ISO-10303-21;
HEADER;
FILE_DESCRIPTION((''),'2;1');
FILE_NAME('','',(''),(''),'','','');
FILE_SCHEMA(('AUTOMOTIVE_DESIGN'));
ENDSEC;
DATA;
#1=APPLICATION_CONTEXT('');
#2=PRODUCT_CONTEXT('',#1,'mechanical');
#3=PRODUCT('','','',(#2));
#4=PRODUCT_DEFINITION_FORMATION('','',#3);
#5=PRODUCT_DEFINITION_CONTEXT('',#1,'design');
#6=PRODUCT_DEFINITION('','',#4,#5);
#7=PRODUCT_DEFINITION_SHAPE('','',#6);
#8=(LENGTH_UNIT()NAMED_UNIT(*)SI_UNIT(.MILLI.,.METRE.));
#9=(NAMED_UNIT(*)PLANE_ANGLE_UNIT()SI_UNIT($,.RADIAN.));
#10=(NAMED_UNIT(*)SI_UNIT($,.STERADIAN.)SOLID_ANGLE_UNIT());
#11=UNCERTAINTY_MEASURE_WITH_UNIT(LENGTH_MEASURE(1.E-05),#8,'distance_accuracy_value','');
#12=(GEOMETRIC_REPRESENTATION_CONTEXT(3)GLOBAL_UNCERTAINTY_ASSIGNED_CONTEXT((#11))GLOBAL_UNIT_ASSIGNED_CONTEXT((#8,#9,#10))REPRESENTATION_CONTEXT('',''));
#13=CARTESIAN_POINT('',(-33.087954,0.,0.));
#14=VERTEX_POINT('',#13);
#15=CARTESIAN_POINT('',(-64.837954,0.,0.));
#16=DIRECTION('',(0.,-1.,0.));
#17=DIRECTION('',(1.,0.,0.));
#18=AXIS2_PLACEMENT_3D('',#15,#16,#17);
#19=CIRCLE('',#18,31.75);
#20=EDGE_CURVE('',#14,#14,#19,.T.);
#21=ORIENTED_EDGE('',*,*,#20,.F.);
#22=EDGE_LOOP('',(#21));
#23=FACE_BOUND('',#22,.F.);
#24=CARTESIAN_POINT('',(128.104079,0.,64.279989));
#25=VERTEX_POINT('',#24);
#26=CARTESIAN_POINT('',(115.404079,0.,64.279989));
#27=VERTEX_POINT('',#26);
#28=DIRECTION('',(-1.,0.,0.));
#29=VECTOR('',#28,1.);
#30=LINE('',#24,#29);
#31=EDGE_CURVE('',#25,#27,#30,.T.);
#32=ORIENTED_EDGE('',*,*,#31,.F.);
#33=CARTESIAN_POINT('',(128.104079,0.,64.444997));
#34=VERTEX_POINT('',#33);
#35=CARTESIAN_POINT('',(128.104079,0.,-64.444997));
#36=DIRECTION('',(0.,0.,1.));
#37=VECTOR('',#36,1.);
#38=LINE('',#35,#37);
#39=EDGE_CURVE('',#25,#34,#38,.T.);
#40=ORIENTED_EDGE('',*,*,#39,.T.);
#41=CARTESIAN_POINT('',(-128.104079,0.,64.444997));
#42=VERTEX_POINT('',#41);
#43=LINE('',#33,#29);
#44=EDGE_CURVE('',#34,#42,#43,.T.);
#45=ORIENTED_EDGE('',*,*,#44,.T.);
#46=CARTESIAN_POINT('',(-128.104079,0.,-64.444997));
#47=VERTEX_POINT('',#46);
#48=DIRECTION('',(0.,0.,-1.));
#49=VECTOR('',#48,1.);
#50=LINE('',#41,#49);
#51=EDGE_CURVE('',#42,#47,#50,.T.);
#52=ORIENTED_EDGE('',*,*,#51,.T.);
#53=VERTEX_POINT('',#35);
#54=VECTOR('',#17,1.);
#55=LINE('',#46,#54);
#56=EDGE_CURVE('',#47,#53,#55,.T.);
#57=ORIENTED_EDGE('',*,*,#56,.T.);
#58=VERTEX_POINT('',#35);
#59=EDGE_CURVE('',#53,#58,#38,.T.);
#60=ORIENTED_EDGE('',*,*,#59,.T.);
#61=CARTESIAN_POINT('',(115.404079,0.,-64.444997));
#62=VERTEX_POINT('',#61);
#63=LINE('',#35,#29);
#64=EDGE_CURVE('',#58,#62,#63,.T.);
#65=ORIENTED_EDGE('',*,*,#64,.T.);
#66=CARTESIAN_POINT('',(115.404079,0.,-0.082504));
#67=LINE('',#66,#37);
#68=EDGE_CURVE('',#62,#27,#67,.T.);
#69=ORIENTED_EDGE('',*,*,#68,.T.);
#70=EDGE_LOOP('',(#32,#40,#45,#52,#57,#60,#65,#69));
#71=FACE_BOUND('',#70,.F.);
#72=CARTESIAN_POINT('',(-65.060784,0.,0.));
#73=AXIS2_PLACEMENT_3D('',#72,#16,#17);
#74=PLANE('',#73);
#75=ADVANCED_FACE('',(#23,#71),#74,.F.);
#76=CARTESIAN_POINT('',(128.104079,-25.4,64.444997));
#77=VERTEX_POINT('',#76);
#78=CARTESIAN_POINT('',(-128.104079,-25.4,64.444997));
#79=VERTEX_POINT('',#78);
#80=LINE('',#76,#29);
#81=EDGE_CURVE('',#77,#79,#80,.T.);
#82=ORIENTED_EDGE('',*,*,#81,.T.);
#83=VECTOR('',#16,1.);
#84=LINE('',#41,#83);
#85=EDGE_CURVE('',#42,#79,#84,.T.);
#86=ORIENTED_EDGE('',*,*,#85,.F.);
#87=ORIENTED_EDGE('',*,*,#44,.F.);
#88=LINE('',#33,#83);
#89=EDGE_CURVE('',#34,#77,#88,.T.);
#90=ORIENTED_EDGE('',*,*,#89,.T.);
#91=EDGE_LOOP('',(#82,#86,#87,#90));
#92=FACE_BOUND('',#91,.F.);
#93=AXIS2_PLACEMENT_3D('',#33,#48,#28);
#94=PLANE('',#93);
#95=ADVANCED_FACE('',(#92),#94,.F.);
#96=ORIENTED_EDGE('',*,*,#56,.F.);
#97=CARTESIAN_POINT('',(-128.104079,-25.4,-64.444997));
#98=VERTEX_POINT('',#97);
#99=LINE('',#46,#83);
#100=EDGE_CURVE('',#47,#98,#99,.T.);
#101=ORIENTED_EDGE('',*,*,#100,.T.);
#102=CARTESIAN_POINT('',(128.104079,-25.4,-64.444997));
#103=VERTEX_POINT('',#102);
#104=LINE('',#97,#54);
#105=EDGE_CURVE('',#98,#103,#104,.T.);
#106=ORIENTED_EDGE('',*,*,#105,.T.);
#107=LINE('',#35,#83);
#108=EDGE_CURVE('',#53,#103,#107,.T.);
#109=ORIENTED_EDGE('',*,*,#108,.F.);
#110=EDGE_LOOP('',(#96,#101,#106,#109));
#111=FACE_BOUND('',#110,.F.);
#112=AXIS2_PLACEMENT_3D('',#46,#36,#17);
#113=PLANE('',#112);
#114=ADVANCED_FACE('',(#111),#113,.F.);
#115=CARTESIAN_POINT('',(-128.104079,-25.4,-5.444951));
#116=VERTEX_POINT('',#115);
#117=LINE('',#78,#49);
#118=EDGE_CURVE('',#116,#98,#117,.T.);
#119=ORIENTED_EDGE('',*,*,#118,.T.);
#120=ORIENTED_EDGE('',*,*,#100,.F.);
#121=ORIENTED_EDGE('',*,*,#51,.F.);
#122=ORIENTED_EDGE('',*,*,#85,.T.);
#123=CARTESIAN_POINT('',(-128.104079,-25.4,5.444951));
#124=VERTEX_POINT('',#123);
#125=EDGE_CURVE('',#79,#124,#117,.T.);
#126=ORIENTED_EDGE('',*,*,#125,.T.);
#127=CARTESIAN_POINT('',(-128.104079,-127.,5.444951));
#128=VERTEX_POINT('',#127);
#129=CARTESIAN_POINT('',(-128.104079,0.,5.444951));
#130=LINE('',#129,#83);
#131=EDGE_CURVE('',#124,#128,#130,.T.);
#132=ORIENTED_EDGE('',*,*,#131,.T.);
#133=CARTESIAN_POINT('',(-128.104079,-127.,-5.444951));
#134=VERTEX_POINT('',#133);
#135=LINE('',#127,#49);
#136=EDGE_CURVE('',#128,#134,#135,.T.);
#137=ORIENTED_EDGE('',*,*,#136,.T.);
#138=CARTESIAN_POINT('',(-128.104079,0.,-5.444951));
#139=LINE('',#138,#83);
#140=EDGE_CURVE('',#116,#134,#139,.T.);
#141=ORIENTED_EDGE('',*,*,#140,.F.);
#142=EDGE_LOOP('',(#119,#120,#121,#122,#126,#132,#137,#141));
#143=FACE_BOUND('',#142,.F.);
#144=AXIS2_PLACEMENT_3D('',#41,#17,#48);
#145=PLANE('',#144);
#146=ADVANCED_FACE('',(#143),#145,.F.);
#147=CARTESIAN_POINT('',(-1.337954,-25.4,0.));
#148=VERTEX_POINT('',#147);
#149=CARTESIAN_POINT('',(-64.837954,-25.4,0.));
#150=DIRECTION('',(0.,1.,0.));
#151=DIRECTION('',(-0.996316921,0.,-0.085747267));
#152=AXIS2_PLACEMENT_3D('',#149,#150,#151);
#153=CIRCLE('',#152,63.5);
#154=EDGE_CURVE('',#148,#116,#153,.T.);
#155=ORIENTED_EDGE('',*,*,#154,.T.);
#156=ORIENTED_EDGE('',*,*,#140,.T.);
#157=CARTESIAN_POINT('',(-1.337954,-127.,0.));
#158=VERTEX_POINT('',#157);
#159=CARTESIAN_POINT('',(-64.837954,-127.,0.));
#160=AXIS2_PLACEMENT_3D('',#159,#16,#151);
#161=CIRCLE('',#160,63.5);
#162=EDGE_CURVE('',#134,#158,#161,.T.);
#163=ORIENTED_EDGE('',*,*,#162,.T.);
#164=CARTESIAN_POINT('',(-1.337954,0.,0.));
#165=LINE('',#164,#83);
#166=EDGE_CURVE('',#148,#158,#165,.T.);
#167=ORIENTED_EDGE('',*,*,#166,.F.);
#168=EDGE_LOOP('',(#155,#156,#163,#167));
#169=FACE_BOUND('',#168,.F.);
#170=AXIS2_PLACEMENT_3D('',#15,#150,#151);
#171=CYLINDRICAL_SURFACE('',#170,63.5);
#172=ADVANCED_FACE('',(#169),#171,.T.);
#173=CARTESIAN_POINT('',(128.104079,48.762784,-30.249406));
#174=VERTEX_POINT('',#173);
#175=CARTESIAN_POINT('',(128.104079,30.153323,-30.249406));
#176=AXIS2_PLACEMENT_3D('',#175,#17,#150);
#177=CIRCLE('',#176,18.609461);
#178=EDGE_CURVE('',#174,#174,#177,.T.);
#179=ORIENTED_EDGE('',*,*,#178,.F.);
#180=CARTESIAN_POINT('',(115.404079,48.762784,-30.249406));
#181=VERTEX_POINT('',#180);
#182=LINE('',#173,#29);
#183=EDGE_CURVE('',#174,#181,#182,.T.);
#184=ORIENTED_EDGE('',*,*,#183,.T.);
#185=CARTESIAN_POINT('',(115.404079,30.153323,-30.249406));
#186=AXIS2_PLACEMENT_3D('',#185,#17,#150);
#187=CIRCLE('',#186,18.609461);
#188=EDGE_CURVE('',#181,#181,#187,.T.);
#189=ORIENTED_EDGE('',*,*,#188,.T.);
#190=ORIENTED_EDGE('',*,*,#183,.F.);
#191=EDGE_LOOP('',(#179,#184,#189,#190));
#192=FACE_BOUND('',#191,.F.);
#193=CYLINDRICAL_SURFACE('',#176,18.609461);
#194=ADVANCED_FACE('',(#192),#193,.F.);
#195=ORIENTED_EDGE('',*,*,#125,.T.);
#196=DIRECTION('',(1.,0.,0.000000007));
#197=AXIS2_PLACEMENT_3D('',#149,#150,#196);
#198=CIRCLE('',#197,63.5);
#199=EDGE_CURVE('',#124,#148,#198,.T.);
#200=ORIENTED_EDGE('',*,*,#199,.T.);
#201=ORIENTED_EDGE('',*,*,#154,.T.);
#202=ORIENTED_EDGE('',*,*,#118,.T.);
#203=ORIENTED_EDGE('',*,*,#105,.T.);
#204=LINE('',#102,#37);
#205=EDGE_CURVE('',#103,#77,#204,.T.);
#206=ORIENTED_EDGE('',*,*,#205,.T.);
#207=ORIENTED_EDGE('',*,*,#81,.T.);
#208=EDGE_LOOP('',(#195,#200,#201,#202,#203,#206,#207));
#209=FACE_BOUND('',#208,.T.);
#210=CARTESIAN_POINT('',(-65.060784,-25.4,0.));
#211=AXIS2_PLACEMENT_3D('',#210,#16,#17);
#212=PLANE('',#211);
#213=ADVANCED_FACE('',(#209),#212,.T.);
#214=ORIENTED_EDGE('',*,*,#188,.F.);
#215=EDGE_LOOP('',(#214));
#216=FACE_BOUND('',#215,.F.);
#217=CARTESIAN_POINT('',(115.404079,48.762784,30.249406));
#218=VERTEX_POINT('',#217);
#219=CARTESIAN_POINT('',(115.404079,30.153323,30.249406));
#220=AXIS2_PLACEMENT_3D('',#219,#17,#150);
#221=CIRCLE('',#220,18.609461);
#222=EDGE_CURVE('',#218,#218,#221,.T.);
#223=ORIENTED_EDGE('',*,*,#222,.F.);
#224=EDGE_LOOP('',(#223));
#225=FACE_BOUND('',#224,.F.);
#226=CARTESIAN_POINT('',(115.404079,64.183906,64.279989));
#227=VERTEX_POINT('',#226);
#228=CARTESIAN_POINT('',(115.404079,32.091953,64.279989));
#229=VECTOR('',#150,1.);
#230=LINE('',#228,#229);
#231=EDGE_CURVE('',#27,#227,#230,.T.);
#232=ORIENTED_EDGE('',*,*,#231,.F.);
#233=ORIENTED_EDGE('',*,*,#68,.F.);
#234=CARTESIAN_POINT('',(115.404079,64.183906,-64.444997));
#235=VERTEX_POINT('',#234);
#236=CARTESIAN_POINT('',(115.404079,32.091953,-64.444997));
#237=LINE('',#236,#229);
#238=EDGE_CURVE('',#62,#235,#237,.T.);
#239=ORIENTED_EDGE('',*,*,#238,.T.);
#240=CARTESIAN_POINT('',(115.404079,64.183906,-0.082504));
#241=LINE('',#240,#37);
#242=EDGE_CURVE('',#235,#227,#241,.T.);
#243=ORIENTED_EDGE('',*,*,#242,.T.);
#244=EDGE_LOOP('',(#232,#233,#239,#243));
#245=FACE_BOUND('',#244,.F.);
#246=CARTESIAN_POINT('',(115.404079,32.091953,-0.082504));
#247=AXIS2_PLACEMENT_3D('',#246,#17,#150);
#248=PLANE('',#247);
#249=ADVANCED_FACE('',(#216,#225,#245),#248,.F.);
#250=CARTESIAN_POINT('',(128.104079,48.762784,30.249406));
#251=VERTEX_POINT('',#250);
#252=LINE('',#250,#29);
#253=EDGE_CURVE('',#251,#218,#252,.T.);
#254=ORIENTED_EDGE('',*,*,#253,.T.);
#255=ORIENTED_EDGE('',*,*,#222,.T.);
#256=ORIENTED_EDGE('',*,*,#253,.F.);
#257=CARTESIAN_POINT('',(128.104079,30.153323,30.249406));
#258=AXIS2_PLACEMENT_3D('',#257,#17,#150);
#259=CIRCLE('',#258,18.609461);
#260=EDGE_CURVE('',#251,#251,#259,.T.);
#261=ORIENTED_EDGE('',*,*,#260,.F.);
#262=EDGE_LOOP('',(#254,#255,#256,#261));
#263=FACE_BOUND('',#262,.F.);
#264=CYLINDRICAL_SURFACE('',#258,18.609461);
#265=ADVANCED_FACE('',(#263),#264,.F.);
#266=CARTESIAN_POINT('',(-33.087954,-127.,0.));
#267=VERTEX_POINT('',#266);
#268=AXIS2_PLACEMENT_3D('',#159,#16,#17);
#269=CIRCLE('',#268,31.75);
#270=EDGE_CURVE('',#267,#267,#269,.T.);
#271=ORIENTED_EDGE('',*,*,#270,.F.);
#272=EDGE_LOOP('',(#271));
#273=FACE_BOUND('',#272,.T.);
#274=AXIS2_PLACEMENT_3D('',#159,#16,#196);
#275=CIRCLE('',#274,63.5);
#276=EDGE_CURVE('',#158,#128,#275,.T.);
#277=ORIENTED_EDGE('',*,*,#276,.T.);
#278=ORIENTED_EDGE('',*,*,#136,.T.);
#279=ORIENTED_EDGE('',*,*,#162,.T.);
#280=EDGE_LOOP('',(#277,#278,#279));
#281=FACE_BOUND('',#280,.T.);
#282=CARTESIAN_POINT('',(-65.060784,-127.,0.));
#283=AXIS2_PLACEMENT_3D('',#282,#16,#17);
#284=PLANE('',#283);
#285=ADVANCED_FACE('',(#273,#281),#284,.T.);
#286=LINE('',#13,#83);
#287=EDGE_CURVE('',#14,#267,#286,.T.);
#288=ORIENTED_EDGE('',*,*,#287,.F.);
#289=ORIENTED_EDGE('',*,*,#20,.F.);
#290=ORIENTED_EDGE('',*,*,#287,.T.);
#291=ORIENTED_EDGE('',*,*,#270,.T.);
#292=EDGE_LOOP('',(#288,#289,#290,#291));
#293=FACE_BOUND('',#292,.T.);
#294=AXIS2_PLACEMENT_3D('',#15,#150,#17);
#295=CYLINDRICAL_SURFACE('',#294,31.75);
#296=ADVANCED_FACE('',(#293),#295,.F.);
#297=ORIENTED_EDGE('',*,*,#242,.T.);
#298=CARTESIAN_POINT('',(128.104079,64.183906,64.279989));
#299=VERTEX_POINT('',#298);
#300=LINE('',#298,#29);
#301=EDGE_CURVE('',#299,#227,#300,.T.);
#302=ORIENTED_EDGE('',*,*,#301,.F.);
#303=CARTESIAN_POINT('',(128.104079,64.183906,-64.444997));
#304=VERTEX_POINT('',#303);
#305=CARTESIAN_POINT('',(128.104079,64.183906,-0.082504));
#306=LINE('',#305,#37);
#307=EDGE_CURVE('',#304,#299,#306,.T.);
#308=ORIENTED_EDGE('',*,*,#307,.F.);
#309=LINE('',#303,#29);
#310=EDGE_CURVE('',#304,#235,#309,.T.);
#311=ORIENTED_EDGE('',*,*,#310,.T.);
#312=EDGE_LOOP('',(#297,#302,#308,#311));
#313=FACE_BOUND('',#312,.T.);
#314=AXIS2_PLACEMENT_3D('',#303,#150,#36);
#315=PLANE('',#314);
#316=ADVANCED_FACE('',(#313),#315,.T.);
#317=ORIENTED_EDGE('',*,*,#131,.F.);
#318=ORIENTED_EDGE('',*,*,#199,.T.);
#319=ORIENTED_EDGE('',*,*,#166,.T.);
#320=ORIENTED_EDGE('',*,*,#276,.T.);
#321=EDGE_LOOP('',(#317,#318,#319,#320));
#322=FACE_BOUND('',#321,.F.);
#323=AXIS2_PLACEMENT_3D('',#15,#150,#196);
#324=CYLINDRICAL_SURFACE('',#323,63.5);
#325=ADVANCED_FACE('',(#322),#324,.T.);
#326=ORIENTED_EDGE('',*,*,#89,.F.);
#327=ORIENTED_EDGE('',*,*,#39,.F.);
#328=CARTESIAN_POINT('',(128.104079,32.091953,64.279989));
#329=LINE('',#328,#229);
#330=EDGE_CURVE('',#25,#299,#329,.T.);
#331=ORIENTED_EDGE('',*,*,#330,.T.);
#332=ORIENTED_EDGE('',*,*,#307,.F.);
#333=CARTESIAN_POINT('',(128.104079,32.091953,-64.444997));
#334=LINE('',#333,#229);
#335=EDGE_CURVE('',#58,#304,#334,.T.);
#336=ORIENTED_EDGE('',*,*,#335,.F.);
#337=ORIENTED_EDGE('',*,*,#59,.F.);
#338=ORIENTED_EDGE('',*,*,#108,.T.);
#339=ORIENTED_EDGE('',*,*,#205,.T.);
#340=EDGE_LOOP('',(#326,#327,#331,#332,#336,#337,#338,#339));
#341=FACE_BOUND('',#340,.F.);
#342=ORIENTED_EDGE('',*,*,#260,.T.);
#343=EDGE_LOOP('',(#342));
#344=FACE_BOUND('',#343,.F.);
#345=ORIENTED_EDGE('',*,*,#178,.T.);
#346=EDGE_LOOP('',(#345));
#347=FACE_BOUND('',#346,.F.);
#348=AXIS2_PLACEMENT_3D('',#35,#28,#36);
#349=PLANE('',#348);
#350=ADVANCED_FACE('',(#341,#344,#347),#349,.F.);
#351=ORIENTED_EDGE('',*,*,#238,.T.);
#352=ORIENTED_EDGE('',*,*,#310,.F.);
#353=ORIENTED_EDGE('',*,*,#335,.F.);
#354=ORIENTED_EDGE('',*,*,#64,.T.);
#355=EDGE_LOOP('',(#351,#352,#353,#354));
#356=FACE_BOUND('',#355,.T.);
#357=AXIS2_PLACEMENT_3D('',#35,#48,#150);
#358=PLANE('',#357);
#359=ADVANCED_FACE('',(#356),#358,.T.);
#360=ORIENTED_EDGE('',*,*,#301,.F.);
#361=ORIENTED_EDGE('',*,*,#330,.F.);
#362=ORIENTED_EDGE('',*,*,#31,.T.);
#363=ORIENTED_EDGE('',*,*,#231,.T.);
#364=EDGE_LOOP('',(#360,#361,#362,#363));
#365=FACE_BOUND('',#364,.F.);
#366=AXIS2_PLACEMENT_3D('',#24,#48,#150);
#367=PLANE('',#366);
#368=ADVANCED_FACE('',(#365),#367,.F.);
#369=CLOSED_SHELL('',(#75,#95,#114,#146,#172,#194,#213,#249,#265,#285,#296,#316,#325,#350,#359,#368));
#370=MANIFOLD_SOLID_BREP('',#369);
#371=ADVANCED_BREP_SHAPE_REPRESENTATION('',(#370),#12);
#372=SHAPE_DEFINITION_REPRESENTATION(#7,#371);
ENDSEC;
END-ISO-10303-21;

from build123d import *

# Parameters (mm, degrees)
F0_R     = 31.75
F1_DEPTH = 25.4
F2_DEPTH = 127
F3_W     = 64.183906
F3_H     = 128.724985
F3_R     = 18.609461
F4_DEPTH = 12.7


with BuildPart() as f1:
    # F0 (on Front) → F1 (new body)
    with BuildSketch(Plane.XZ):
        with BuildLine():
            ThreePointArc((-1.337954, 0), (-62.112969, 63.441504), (-128.104079, 5.444951))
            Line((-128.104079, 5.444951), (-128.104079, -5.444951))
            ThreePointArc((-128.104079, -5.444951), (-62.112969, -63.441504), (-1.337954, 0))
        make_face()
        with Locations((-64.837954, 0)):
            Circle(F0_R, mode=Mode.SUBTRACT)
        with BuildLine():
            Line((128.104079, 64.444997), (-128.104079, 64.444997))
            Line((-128.104079, 64.444997), (-128.104079, 5.444951))
            ThreePointArc((-128.104079, 5.444951), (-62.112969, 63.441504), (-1.337954, 0))
            ThreePointArc((-1.337954, 0), (-62.112969, -63.441504), (-128.104079, -5.444951))
            Line((-128.104079, -5.444951), (-128.104079, -64.444997))
            Line((-128.104079, -64.444997), (128.104079, -64.444997))
            Line((128.104079, -64.444997), (128.104079, 64.444997))
        make_face()
    extrude(amount=F1_DEPTH)

    # F0 (on Front) → F2 (join)
    with BuildSketch(Plane.XZ):
        with BuildLine():
            ThreePointArc((-1.337954, 0), (-62.112969, 63.441504), (-128.104079, 5.444951))
            Line((-128.104079, 5.444951), (-128.104079, -5.444951))
            ThreePointArc((-128.104079, -5.444951), (-62.112969, -63.441504), (-1.337954, 0))
        make_face()
        with Locations((-64.837954, 0)):
            Circle(F0_R, mode=Mode.SUBTRACT)
    extrude(amount=F2_DEPTH)

    # F3 (on face) → F4 (join)
    with BuildSketch(Plane.YZ.offset(128.104079)):
        with Locations((32.091953, -0.082504)):
            Rectangle(F3_W, F3_H)
        with Locations((30.153323, -30.249406)):
            Circle(F3_R, mode=Mode.SUBTRACT)
        with Locations((30.153323, 30.249406)):
            Circle(F3_R, mode=Mode.SUBTRACT)
    extrude(amount=-F4_DEPTH)


solid = f1.part
